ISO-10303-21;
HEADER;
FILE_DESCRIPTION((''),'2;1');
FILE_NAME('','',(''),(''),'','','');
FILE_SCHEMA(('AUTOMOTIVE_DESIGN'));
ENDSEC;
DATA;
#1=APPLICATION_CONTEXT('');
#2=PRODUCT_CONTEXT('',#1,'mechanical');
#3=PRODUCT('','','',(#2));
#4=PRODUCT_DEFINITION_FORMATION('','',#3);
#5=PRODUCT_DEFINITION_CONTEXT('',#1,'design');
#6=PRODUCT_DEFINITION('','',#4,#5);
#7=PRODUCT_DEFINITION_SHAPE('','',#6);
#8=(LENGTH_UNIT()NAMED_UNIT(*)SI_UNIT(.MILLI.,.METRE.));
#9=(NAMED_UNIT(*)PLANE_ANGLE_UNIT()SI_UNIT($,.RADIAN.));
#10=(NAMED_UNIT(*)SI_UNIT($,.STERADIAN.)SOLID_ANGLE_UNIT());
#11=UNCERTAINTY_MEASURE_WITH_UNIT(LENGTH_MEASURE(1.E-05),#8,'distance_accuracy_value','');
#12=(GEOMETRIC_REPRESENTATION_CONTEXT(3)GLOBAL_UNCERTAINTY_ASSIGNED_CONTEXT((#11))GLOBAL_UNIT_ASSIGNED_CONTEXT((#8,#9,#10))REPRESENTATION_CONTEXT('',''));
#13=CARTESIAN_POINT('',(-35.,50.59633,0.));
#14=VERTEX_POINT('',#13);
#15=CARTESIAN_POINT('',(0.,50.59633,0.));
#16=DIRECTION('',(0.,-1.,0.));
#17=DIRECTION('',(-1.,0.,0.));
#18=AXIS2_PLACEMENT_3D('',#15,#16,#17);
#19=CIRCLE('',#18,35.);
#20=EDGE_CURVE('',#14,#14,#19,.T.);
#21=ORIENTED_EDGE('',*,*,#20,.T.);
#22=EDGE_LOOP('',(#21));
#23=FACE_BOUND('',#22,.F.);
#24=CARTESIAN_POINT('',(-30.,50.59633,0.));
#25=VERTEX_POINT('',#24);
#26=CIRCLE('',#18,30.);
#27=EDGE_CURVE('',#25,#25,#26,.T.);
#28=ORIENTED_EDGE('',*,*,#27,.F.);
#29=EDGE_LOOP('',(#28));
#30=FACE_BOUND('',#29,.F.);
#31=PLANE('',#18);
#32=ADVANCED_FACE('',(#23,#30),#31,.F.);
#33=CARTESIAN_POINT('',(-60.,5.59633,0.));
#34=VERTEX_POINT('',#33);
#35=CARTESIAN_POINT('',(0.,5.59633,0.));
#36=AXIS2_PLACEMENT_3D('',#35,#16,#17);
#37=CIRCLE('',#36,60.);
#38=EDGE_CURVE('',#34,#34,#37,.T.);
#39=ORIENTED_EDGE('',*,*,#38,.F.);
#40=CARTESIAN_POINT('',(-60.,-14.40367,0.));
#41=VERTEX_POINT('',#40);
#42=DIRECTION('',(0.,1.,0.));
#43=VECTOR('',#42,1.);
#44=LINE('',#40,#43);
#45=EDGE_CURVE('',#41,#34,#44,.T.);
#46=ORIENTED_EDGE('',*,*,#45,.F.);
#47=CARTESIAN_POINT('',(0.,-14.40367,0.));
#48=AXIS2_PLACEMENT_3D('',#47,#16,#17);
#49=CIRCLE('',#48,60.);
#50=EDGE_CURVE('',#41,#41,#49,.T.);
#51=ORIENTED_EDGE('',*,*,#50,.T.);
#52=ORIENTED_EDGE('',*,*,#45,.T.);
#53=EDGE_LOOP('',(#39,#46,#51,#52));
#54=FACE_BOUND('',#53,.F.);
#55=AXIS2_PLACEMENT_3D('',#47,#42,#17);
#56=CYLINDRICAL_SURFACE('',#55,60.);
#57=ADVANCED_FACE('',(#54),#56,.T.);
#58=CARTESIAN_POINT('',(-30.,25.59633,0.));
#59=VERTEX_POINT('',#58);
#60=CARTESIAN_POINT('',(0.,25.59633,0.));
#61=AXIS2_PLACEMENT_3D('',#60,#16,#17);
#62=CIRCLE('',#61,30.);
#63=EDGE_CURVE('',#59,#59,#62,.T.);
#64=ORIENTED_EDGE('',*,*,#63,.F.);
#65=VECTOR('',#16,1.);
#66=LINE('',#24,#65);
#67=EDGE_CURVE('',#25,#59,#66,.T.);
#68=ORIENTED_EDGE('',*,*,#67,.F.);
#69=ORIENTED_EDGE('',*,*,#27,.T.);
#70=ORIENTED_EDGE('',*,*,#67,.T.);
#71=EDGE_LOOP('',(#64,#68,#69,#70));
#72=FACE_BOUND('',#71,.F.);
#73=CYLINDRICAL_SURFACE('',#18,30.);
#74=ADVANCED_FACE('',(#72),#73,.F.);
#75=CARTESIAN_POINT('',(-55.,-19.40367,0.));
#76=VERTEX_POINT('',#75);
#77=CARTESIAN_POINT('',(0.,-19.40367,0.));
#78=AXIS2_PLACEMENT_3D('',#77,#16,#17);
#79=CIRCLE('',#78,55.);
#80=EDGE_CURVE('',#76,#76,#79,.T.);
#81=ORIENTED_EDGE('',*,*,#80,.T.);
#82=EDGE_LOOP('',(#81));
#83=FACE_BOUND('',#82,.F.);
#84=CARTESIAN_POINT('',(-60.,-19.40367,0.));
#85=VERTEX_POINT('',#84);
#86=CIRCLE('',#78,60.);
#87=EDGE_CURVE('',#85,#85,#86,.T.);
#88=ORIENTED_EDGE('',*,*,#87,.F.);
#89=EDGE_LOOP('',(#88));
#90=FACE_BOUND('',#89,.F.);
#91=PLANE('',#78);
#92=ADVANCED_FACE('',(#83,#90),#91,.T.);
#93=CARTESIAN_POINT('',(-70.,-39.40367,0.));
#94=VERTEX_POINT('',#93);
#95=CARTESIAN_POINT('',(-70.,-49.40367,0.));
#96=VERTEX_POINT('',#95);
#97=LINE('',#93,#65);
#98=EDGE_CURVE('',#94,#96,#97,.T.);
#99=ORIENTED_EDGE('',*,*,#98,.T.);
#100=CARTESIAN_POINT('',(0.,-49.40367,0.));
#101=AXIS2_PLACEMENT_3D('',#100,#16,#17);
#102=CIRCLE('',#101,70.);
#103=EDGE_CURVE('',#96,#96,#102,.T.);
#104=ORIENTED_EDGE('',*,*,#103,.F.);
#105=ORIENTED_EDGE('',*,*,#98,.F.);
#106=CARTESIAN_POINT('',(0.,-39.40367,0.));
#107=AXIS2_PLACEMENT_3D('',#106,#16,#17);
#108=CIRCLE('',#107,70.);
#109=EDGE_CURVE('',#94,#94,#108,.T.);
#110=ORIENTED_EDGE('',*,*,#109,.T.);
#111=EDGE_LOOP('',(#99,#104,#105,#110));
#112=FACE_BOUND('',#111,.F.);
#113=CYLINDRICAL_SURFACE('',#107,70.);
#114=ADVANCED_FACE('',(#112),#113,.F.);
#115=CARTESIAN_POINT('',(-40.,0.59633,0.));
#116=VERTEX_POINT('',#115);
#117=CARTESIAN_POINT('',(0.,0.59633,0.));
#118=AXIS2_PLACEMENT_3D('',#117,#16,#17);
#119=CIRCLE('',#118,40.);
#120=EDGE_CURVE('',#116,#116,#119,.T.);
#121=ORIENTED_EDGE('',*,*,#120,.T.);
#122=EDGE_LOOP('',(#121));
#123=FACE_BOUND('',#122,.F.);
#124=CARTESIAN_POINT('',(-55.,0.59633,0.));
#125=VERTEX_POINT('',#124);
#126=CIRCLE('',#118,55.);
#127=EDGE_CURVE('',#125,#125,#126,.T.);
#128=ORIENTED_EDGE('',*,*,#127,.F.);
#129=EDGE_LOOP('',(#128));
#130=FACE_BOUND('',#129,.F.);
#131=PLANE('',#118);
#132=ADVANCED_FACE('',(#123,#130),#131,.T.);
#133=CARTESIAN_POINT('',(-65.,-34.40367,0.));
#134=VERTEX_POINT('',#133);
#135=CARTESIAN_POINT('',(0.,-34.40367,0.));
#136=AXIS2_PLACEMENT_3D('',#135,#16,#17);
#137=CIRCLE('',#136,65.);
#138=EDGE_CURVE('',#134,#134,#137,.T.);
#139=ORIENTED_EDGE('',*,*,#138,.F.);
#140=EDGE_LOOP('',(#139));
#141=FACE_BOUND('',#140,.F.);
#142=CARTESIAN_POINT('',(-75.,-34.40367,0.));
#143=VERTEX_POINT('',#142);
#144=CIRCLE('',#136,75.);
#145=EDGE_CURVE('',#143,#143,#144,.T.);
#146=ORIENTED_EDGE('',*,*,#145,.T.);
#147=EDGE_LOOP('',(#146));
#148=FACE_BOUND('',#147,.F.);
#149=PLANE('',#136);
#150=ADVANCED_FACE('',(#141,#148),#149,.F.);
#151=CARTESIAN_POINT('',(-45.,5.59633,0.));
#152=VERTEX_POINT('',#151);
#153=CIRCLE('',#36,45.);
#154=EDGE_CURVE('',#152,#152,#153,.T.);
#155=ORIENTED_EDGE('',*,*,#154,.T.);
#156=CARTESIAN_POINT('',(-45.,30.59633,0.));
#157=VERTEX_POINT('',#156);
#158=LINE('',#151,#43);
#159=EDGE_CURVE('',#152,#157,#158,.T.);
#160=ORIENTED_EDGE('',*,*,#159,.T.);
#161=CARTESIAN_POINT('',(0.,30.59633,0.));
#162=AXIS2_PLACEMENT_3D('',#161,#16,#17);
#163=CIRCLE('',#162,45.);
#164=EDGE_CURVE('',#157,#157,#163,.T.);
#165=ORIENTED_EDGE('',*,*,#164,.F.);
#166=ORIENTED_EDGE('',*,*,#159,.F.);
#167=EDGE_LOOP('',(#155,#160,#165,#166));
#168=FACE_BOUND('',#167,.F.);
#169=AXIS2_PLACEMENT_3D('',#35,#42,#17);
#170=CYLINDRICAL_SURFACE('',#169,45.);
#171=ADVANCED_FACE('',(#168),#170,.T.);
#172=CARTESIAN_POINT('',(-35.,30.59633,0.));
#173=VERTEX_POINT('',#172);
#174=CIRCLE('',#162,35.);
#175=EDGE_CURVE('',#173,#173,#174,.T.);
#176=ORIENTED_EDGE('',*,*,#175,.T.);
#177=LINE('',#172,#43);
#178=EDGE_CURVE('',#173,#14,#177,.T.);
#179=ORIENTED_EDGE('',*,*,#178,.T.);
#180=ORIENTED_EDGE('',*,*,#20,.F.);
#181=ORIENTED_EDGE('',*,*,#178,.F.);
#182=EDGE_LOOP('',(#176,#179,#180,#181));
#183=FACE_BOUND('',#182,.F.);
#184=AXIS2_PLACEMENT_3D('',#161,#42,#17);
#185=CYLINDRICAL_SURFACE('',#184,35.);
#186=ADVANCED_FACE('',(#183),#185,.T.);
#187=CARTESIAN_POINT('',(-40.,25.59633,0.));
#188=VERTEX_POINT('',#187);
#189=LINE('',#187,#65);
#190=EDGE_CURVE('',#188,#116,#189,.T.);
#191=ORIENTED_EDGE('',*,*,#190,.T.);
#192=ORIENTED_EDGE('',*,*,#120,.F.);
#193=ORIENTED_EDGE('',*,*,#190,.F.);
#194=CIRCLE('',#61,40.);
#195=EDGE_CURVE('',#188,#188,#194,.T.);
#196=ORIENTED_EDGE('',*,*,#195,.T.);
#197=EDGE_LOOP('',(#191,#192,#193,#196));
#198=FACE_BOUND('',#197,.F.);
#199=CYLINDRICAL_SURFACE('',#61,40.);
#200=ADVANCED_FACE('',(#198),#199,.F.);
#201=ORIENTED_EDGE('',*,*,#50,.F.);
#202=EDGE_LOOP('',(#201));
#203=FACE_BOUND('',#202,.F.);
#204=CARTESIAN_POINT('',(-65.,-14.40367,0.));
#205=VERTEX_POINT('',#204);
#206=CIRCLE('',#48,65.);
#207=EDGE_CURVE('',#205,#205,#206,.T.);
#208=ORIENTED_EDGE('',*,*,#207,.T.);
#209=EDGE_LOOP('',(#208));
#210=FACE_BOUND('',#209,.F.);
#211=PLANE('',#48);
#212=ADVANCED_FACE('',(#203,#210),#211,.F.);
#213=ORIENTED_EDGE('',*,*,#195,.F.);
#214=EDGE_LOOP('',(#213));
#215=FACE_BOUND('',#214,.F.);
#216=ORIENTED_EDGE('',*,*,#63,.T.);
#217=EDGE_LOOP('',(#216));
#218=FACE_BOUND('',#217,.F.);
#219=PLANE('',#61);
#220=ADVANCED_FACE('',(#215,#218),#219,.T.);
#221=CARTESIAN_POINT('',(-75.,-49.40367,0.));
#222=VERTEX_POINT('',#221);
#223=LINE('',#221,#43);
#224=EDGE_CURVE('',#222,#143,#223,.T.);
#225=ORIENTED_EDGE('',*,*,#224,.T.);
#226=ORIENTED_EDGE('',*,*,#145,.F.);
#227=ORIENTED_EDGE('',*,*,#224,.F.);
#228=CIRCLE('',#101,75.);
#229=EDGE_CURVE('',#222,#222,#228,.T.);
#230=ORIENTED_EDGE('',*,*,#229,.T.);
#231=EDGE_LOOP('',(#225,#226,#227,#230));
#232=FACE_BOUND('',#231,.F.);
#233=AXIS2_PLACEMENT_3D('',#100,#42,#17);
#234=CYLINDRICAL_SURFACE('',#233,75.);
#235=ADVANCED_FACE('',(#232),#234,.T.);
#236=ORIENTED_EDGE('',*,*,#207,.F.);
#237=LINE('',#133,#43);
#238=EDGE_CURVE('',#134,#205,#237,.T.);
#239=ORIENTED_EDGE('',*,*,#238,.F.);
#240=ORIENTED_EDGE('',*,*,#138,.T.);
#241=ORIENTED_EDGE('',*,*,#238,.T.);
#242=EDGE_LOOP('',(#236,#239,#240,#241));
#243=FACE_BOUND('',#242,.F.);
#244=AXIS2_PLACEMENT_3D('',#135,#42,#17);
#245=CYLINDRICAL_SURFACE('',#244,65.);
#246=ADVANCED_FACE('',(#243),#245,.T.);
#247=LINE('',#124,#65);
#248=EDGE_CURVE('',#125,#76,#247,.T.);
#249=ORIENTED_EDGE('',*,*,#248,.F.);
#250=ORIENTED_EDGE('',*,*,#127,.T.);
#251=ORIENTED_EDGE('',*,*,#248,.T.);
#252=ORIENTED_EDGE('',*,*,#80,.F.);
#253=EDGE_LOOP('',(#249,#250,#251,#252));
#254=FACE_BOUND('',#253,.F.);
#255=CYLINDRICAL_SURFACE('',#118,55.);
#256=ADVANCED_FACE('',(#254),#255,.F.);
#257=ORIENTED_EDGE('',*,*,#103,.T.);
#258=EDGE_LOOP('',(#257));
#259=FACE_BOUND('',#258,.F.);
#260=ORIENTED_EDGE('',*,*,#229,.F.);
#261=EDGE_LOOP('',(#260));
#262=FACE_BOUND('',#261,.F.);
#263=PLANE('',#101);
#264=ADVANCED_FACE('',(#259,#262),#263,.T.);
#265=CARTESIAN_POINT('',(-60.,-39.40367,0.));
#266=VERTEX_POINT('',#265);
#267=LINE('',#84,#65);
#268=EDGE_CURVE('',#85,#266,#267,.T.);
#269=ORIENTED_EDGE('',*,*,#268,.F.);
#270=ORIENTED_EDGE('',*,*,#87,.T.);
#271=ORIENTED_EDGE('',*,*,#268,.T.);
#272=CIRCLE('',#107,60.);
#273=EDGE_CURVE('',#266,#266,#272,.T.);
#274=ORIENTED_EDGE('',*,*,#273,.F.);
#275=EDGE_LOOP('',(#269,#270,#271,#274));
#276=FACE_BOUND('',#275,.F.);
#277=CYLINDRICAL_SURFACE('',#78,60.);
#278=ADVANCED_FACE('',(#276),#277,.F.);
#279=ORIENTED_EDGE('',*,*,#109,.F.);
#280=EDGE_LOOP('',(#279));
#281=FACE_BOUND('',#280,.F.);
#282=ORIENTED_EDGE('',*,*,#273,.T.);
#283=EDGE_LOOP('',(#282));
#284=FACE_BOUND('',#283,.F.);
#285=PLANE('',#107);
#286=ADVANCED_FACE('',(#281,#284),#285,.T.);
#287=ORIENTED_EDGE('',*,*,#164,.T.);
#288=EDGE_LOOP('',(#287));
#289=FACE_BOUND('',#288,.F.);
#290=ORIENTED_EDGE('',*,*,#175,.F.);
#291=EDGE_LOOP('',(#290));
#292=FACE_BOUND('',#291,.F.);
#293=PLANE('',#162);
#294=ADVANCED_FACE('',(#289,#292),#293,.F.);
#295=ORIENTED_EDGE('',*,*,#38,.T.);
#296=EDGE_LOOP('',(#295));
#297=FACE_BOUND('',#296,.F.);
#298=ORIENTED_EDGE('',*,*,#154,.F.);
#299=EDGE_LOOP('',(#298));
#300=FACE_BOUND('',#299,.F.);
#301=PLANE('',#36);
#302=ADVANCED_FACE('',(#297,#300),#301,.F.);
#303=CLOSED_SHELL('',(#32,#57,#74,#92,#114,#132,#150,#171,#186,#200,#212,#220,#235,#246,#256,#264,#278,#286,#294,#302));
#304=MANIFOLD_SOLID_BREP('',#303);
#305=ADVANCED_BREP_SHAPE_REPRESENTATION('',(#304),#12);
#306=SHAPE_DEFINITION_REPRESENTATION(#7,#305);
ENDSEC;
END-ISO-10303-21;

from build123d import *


with BuildPart() as part:
    # Sketch1 → Revolve1 (revolve)
    with BuildSketch(Plane.XY):
        Polygon((-75, -49.403669725), (-75, -34.403669725), (-65, -34.403669725), (-65, -14.403669725), (-60, -14.403669725), (-60, 5.596330275), (-45, 5.596330275), (-45, 30.596330275), (-35, 30.596330275), (-35, 50.596330275), (-30, 50.596330275), (-30, 25.596330275), (-40, 25.596330275), (-40, 0.596330275), (-55, 0.596330275), (-55, -19.403669725), (-60, -19.403669725), (-60, -39.403669725), (-70, -39.403669725), (-70, -49.403669725), align=None)
    revolve(axis=Axis((0, 50, 0), (0, -1, 0)))


solid = part.part
